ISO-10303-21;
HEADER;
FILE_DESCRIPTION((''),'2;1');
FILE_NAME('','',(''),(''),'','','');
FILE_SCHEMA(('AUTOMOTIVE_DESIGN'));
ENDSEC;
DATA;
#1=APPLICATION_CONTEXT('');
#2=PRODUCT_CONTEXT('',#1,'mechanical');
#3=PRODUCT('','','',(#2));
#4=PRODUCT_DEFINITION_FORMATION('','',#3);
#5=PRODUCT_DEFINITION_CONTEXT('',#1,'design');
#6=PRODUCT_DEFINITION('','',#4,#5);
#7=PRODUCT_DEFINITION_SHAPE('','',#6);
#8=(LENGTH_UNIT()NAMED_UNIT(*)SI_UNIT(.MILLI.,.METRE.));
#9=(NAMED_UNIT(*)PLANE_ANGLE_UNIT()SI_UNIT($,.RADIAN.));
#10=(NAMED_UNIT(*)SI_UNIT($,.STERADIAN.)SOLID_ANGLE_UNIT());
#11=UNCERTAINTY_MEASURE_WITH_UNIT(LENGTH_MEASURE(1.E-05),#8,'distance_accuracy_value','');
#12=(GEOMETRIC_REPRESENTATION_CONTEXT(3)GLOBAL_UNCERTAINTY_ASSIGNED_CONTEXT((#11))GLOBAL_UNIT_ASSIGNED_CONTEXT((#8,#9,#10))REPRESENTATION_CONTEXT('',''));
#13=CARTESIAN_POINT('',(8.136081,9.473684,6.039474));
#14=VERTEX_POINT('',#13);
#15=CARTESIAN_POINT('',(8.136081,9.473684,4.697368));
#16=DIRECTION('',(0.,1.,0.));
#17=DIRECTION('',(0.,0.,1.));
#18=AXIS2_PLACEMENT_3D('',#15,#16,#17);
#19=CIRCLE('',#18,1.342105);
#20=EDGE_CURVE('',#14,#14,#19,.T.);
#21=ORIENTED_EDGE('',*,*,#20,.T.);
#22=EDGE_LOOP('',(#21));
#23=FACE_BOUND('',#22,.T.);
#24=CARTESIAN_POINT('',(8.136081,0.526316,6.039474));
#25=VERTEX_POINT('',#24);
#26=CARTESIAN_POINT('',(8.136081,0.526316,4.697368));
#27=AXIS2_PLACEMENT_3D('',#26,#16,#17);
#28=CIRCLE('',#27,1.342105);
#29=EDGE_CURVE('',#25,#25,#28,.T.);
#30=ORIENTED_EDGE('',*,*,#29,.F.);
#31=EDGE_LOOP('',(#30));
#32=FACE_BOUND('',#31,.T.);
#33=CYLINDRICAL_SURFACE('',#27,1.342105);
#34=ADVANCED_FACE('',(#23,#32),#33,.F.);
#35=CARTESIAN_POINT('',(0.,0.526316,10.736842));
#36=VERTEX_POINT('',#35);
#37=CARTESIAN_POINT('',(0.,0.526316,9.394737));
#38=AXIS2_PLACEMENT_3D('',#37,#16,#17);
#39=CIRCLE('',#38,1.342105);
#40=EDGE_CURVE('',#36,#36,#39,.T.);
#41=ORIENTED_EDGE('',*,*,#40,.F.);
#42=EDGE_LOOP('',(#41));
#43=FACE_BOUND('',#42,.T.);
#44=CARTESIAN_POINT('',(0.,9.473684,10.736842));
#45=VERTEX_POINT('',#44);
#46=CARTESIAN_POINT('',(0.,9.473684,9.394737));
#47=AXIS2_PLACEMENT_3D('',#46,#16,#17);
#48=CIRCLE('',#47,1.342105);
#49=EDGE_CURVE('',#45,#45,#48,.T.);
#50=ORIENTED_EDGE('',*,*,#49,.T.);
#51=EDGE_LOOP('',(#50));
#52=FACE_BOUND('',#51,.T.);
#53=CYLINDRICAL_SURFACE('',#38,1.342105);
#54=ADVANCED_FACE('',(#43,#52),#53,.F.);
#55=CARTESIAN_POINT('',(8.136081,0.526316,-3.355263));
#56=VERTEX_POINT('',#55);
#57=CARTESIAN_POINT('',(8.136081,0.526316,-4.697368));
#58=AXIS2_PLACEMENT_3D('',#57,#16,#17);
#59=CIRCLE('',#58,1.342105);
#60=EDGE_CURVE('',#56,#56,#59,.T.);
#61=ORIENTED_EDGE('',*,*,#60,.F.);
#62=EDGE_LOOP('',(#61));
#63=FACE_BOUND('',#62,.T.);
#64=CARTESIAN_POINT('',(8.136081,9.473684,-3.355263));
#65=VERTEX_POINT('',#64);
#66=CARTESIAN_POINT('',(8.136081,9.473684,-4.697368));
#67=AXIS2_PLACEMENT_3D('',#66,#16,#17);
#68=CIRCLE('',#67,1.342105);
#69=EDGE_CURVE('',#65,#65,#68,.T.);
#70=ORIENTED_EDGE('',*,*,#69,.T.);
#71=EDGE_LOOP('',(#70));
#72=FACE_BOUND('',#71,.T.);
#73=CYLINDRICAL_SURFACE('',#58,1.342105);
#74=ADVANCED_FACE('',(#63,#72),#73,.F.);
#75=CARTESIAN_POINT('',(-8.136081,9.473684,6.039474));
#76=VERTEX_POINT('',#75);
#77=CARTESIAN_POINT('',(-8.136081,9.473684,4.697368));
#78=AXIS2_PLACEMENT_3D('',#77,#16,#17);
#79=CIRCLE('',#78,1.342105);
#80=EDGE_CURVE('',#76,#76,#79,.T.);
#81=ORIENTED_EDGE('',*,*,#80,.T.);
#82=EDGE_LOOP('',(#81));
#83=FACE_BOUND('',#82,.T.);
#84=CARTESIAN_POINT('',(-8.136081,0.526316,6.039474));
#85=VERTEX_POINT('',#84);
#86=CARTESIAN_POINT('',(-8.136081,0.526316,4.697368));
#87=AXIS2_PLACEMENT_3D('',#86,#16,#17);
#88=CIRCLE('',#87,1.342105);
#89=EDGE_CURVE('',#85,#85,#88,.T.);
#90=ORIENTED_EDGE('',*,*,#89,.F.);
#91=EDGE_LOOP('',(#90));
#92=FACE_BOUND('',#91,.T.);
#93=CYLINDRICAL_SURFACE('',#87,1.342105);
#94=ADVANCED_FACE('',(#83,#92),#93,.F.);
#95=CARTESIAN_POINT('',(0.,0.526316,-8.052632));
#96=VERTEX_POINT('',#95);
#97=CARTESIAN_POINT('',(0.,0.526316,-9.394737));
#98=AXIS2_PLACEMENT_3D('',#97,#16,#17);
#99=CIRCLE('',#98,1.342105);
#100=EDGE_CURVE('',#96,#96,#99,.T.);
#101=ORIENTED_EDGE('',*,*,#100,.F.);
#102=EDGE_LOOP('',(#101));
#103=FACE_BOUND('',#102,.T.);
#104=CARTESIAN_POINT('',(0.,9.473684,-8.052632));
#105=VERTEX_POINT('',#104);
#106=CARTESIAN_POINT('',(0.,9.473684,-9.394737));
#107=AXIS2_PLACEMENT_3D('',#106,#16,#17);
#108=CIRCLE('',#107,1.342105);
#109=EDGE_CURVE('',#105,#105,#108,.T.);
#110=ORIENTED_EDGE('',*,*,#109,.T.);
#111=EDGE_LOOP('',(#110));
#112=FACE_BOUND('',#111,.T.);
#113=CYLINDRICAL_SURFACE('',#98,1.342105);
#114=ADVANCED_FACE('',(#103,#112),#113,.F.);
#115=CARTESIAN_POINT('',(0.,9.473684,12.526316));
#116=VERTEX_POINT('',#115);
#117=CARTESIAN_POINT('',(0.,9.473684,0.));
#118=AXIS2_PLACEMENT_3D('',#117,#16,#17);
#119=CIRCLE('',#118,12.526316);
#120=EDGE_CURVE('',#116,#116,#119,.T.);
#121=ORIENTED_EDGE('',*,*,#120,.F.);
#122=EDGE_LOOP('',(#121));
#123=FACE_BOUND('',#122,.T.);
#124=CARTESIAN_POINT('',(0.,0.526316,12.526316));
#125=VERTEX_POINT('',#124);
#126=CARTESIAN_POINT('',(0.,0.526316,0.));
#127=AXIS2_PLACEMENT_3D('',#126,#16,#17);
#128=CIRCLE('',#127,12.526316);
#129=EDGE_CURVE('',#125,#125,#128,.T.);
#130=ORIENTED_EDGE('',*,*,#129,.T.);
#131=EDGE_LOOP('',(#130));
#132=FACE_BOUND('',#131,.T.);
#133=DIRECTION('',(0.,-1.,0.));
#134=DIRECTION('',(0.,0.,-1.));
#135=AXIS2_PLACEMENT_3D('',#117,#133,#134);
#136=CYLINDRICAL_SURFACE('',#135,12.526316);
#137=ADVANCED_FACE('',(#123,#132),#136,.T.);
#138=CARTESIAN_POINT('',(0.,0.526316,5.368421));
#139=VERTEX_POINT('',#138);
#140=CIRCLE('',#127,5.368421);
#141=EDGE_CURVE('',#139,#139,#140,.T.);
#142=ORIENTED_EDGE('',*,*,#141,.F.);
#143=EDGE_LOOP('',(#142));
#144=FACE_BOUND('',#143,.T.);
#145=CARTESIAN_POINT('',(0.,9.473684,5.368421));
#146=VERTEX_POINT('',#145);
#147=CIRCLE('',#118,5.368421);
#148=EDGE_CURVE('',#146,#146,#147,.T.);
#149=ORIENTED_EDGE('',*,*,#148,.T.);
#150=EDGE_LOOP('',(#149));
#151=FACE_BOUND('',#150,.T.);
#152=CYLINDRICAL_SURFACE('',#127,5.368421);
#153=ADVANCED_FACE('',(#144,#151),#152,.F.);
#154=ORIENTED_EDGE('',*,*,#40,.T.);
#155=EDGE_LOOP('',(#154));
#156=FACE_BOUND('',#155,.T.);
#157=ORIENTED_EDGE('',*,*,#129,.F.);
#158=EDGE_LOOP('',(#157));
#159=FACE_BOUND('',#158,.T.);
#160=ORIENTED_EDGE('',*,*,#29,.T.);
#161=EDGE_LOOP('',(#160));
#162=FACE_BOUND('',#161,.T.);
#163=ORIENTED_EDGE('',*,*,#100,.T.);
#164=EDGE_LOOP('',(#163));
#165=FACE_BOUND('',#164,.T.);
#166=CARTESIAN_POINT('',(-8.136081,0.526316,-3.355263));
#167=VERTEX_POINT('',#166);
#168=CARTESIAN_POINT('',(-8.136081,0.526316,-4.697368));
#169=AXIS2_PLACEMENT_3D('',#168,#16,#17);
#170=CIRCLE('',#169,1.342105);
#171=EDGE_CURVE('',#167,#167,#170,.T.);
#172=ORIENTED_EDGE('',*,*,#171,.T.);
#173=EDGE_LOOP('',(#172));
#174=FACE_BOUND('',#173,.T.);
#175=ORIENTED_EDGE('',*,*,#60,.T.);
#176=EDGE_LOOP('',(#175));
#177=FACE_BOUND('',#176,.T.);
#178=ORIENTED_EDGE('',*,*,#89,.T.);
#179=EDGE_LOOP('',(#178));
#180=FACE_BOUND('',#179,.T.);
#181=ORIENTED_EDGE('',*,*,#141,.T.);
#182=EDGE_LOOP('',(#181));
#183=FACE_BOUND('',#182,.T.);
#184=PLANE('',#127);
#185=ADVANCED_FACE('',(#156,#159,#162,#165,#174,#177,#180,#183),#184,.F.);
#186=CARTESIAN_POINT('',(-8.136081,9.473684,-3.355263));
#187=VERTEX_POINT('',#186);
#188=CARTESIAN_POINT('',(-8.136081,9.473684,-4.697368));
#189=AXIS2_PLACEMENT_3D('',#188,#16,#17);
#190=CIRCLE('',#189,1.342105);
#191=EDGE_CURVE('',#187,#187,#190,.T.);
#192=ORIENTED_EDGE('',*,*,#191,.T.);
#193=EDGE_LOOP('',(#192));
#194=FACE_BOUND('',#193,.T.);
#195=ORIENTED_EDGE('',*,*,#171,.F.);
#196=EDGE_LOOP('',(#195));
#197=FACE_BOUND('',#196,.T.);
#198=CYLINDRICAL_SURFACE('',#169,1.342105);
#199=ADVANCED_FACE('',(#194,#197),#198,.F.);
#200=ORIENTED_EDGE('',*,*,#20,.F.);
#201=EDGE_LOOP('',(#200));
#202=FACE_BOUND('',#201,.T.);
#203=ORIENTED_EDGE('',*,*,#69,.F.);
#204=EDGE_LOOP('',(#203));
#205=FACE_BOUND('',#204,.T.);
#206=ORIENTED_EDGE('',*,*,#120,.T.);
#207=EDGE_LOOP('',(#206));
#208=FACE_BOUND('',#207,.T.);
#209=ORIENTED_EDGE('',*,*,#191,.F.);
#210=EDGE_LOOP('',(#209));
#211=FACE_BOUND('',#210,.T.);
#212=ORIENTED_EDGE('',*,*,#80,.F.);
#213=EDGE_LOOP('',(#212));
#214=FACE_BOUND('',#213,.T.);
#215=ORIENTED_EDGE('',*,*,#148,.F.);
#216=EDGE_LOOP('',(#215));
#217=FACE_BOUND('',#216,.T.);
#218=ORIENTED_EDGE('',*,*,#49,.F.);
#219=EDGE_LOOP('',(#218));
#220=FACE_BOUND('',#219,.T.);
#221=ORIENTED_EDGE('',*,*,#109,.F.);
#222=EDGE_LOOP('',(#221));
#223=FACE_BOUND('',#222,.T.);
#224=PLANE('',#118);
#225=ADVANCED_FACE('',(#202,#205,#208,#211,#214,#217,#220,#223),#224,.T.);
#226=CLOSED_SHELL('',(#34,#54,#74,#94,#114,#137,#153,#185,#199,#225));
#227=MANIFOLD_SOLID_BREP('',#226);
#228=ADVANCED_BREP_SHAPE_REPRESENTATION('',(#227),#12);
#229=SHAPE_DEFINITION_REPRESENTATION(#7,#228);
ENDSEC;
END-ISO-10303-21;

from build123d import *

# Parameters (mm, degrees)
SKETCH1_R           = 14
BOSS_EXTRUDE1_DEPTH = 10
SKETCH2_R           = 1.5
SKETCH2_R_2         = 6
CUT_EXTRUDE1_DEPTH  = 11
SCALE_1_SCALE       = 0.894736842


with BuildPart() as part:
    # Sketch1 → Boss-Extrude1 (new body)
    with BuildSketch(Plane(origin=(0, 0, 0), x_dir=(1, 0, 0), z_dir=(0, 1, 0))):
        Circle(SKETCH1_R)
    extrude(amount=BOSS_EXTRUDE1_DEPTH)

    # Sketch2 → Cut-Extrude1 (cut, through all)
    with BuildSketch(Plane(origin=(0, 10, 0), x_dir=(1, 0, 0), z_dir=(0, 1, 0))):
        with Locations((0, 10.5)):
            Circle(SKETCH2_R)
        Circle(SKETCH2_R_2)
        with Locations((9.09326674, 5.25)):
            Circle(SKETCH2_R)
        with Locations((9.09326674, -5.25)):
            Circle(SKETCH2_R)
        with Locations((0, -10.5)):
            Circle(SKETCH2_R)
        with Locations((-9.09326674, -5.25)):
            Circle(SKETCH2_R)
        with Locations((-9.09326674, 5.25)):
            Circle(SKETCH2_R)
    extrude(amount=-CUT_EXTRUDE1_DEPTH, mode=Mode.SUBTRACT)


with BuildPart() as part_1:
    # ｽｹｰﾙ1: scaled about (0, 5, 0)
    add(part.part.scale(SCALE_1_SCALE).moved(Location((0, 0.526315789, 0))))


solid = part_1.part
